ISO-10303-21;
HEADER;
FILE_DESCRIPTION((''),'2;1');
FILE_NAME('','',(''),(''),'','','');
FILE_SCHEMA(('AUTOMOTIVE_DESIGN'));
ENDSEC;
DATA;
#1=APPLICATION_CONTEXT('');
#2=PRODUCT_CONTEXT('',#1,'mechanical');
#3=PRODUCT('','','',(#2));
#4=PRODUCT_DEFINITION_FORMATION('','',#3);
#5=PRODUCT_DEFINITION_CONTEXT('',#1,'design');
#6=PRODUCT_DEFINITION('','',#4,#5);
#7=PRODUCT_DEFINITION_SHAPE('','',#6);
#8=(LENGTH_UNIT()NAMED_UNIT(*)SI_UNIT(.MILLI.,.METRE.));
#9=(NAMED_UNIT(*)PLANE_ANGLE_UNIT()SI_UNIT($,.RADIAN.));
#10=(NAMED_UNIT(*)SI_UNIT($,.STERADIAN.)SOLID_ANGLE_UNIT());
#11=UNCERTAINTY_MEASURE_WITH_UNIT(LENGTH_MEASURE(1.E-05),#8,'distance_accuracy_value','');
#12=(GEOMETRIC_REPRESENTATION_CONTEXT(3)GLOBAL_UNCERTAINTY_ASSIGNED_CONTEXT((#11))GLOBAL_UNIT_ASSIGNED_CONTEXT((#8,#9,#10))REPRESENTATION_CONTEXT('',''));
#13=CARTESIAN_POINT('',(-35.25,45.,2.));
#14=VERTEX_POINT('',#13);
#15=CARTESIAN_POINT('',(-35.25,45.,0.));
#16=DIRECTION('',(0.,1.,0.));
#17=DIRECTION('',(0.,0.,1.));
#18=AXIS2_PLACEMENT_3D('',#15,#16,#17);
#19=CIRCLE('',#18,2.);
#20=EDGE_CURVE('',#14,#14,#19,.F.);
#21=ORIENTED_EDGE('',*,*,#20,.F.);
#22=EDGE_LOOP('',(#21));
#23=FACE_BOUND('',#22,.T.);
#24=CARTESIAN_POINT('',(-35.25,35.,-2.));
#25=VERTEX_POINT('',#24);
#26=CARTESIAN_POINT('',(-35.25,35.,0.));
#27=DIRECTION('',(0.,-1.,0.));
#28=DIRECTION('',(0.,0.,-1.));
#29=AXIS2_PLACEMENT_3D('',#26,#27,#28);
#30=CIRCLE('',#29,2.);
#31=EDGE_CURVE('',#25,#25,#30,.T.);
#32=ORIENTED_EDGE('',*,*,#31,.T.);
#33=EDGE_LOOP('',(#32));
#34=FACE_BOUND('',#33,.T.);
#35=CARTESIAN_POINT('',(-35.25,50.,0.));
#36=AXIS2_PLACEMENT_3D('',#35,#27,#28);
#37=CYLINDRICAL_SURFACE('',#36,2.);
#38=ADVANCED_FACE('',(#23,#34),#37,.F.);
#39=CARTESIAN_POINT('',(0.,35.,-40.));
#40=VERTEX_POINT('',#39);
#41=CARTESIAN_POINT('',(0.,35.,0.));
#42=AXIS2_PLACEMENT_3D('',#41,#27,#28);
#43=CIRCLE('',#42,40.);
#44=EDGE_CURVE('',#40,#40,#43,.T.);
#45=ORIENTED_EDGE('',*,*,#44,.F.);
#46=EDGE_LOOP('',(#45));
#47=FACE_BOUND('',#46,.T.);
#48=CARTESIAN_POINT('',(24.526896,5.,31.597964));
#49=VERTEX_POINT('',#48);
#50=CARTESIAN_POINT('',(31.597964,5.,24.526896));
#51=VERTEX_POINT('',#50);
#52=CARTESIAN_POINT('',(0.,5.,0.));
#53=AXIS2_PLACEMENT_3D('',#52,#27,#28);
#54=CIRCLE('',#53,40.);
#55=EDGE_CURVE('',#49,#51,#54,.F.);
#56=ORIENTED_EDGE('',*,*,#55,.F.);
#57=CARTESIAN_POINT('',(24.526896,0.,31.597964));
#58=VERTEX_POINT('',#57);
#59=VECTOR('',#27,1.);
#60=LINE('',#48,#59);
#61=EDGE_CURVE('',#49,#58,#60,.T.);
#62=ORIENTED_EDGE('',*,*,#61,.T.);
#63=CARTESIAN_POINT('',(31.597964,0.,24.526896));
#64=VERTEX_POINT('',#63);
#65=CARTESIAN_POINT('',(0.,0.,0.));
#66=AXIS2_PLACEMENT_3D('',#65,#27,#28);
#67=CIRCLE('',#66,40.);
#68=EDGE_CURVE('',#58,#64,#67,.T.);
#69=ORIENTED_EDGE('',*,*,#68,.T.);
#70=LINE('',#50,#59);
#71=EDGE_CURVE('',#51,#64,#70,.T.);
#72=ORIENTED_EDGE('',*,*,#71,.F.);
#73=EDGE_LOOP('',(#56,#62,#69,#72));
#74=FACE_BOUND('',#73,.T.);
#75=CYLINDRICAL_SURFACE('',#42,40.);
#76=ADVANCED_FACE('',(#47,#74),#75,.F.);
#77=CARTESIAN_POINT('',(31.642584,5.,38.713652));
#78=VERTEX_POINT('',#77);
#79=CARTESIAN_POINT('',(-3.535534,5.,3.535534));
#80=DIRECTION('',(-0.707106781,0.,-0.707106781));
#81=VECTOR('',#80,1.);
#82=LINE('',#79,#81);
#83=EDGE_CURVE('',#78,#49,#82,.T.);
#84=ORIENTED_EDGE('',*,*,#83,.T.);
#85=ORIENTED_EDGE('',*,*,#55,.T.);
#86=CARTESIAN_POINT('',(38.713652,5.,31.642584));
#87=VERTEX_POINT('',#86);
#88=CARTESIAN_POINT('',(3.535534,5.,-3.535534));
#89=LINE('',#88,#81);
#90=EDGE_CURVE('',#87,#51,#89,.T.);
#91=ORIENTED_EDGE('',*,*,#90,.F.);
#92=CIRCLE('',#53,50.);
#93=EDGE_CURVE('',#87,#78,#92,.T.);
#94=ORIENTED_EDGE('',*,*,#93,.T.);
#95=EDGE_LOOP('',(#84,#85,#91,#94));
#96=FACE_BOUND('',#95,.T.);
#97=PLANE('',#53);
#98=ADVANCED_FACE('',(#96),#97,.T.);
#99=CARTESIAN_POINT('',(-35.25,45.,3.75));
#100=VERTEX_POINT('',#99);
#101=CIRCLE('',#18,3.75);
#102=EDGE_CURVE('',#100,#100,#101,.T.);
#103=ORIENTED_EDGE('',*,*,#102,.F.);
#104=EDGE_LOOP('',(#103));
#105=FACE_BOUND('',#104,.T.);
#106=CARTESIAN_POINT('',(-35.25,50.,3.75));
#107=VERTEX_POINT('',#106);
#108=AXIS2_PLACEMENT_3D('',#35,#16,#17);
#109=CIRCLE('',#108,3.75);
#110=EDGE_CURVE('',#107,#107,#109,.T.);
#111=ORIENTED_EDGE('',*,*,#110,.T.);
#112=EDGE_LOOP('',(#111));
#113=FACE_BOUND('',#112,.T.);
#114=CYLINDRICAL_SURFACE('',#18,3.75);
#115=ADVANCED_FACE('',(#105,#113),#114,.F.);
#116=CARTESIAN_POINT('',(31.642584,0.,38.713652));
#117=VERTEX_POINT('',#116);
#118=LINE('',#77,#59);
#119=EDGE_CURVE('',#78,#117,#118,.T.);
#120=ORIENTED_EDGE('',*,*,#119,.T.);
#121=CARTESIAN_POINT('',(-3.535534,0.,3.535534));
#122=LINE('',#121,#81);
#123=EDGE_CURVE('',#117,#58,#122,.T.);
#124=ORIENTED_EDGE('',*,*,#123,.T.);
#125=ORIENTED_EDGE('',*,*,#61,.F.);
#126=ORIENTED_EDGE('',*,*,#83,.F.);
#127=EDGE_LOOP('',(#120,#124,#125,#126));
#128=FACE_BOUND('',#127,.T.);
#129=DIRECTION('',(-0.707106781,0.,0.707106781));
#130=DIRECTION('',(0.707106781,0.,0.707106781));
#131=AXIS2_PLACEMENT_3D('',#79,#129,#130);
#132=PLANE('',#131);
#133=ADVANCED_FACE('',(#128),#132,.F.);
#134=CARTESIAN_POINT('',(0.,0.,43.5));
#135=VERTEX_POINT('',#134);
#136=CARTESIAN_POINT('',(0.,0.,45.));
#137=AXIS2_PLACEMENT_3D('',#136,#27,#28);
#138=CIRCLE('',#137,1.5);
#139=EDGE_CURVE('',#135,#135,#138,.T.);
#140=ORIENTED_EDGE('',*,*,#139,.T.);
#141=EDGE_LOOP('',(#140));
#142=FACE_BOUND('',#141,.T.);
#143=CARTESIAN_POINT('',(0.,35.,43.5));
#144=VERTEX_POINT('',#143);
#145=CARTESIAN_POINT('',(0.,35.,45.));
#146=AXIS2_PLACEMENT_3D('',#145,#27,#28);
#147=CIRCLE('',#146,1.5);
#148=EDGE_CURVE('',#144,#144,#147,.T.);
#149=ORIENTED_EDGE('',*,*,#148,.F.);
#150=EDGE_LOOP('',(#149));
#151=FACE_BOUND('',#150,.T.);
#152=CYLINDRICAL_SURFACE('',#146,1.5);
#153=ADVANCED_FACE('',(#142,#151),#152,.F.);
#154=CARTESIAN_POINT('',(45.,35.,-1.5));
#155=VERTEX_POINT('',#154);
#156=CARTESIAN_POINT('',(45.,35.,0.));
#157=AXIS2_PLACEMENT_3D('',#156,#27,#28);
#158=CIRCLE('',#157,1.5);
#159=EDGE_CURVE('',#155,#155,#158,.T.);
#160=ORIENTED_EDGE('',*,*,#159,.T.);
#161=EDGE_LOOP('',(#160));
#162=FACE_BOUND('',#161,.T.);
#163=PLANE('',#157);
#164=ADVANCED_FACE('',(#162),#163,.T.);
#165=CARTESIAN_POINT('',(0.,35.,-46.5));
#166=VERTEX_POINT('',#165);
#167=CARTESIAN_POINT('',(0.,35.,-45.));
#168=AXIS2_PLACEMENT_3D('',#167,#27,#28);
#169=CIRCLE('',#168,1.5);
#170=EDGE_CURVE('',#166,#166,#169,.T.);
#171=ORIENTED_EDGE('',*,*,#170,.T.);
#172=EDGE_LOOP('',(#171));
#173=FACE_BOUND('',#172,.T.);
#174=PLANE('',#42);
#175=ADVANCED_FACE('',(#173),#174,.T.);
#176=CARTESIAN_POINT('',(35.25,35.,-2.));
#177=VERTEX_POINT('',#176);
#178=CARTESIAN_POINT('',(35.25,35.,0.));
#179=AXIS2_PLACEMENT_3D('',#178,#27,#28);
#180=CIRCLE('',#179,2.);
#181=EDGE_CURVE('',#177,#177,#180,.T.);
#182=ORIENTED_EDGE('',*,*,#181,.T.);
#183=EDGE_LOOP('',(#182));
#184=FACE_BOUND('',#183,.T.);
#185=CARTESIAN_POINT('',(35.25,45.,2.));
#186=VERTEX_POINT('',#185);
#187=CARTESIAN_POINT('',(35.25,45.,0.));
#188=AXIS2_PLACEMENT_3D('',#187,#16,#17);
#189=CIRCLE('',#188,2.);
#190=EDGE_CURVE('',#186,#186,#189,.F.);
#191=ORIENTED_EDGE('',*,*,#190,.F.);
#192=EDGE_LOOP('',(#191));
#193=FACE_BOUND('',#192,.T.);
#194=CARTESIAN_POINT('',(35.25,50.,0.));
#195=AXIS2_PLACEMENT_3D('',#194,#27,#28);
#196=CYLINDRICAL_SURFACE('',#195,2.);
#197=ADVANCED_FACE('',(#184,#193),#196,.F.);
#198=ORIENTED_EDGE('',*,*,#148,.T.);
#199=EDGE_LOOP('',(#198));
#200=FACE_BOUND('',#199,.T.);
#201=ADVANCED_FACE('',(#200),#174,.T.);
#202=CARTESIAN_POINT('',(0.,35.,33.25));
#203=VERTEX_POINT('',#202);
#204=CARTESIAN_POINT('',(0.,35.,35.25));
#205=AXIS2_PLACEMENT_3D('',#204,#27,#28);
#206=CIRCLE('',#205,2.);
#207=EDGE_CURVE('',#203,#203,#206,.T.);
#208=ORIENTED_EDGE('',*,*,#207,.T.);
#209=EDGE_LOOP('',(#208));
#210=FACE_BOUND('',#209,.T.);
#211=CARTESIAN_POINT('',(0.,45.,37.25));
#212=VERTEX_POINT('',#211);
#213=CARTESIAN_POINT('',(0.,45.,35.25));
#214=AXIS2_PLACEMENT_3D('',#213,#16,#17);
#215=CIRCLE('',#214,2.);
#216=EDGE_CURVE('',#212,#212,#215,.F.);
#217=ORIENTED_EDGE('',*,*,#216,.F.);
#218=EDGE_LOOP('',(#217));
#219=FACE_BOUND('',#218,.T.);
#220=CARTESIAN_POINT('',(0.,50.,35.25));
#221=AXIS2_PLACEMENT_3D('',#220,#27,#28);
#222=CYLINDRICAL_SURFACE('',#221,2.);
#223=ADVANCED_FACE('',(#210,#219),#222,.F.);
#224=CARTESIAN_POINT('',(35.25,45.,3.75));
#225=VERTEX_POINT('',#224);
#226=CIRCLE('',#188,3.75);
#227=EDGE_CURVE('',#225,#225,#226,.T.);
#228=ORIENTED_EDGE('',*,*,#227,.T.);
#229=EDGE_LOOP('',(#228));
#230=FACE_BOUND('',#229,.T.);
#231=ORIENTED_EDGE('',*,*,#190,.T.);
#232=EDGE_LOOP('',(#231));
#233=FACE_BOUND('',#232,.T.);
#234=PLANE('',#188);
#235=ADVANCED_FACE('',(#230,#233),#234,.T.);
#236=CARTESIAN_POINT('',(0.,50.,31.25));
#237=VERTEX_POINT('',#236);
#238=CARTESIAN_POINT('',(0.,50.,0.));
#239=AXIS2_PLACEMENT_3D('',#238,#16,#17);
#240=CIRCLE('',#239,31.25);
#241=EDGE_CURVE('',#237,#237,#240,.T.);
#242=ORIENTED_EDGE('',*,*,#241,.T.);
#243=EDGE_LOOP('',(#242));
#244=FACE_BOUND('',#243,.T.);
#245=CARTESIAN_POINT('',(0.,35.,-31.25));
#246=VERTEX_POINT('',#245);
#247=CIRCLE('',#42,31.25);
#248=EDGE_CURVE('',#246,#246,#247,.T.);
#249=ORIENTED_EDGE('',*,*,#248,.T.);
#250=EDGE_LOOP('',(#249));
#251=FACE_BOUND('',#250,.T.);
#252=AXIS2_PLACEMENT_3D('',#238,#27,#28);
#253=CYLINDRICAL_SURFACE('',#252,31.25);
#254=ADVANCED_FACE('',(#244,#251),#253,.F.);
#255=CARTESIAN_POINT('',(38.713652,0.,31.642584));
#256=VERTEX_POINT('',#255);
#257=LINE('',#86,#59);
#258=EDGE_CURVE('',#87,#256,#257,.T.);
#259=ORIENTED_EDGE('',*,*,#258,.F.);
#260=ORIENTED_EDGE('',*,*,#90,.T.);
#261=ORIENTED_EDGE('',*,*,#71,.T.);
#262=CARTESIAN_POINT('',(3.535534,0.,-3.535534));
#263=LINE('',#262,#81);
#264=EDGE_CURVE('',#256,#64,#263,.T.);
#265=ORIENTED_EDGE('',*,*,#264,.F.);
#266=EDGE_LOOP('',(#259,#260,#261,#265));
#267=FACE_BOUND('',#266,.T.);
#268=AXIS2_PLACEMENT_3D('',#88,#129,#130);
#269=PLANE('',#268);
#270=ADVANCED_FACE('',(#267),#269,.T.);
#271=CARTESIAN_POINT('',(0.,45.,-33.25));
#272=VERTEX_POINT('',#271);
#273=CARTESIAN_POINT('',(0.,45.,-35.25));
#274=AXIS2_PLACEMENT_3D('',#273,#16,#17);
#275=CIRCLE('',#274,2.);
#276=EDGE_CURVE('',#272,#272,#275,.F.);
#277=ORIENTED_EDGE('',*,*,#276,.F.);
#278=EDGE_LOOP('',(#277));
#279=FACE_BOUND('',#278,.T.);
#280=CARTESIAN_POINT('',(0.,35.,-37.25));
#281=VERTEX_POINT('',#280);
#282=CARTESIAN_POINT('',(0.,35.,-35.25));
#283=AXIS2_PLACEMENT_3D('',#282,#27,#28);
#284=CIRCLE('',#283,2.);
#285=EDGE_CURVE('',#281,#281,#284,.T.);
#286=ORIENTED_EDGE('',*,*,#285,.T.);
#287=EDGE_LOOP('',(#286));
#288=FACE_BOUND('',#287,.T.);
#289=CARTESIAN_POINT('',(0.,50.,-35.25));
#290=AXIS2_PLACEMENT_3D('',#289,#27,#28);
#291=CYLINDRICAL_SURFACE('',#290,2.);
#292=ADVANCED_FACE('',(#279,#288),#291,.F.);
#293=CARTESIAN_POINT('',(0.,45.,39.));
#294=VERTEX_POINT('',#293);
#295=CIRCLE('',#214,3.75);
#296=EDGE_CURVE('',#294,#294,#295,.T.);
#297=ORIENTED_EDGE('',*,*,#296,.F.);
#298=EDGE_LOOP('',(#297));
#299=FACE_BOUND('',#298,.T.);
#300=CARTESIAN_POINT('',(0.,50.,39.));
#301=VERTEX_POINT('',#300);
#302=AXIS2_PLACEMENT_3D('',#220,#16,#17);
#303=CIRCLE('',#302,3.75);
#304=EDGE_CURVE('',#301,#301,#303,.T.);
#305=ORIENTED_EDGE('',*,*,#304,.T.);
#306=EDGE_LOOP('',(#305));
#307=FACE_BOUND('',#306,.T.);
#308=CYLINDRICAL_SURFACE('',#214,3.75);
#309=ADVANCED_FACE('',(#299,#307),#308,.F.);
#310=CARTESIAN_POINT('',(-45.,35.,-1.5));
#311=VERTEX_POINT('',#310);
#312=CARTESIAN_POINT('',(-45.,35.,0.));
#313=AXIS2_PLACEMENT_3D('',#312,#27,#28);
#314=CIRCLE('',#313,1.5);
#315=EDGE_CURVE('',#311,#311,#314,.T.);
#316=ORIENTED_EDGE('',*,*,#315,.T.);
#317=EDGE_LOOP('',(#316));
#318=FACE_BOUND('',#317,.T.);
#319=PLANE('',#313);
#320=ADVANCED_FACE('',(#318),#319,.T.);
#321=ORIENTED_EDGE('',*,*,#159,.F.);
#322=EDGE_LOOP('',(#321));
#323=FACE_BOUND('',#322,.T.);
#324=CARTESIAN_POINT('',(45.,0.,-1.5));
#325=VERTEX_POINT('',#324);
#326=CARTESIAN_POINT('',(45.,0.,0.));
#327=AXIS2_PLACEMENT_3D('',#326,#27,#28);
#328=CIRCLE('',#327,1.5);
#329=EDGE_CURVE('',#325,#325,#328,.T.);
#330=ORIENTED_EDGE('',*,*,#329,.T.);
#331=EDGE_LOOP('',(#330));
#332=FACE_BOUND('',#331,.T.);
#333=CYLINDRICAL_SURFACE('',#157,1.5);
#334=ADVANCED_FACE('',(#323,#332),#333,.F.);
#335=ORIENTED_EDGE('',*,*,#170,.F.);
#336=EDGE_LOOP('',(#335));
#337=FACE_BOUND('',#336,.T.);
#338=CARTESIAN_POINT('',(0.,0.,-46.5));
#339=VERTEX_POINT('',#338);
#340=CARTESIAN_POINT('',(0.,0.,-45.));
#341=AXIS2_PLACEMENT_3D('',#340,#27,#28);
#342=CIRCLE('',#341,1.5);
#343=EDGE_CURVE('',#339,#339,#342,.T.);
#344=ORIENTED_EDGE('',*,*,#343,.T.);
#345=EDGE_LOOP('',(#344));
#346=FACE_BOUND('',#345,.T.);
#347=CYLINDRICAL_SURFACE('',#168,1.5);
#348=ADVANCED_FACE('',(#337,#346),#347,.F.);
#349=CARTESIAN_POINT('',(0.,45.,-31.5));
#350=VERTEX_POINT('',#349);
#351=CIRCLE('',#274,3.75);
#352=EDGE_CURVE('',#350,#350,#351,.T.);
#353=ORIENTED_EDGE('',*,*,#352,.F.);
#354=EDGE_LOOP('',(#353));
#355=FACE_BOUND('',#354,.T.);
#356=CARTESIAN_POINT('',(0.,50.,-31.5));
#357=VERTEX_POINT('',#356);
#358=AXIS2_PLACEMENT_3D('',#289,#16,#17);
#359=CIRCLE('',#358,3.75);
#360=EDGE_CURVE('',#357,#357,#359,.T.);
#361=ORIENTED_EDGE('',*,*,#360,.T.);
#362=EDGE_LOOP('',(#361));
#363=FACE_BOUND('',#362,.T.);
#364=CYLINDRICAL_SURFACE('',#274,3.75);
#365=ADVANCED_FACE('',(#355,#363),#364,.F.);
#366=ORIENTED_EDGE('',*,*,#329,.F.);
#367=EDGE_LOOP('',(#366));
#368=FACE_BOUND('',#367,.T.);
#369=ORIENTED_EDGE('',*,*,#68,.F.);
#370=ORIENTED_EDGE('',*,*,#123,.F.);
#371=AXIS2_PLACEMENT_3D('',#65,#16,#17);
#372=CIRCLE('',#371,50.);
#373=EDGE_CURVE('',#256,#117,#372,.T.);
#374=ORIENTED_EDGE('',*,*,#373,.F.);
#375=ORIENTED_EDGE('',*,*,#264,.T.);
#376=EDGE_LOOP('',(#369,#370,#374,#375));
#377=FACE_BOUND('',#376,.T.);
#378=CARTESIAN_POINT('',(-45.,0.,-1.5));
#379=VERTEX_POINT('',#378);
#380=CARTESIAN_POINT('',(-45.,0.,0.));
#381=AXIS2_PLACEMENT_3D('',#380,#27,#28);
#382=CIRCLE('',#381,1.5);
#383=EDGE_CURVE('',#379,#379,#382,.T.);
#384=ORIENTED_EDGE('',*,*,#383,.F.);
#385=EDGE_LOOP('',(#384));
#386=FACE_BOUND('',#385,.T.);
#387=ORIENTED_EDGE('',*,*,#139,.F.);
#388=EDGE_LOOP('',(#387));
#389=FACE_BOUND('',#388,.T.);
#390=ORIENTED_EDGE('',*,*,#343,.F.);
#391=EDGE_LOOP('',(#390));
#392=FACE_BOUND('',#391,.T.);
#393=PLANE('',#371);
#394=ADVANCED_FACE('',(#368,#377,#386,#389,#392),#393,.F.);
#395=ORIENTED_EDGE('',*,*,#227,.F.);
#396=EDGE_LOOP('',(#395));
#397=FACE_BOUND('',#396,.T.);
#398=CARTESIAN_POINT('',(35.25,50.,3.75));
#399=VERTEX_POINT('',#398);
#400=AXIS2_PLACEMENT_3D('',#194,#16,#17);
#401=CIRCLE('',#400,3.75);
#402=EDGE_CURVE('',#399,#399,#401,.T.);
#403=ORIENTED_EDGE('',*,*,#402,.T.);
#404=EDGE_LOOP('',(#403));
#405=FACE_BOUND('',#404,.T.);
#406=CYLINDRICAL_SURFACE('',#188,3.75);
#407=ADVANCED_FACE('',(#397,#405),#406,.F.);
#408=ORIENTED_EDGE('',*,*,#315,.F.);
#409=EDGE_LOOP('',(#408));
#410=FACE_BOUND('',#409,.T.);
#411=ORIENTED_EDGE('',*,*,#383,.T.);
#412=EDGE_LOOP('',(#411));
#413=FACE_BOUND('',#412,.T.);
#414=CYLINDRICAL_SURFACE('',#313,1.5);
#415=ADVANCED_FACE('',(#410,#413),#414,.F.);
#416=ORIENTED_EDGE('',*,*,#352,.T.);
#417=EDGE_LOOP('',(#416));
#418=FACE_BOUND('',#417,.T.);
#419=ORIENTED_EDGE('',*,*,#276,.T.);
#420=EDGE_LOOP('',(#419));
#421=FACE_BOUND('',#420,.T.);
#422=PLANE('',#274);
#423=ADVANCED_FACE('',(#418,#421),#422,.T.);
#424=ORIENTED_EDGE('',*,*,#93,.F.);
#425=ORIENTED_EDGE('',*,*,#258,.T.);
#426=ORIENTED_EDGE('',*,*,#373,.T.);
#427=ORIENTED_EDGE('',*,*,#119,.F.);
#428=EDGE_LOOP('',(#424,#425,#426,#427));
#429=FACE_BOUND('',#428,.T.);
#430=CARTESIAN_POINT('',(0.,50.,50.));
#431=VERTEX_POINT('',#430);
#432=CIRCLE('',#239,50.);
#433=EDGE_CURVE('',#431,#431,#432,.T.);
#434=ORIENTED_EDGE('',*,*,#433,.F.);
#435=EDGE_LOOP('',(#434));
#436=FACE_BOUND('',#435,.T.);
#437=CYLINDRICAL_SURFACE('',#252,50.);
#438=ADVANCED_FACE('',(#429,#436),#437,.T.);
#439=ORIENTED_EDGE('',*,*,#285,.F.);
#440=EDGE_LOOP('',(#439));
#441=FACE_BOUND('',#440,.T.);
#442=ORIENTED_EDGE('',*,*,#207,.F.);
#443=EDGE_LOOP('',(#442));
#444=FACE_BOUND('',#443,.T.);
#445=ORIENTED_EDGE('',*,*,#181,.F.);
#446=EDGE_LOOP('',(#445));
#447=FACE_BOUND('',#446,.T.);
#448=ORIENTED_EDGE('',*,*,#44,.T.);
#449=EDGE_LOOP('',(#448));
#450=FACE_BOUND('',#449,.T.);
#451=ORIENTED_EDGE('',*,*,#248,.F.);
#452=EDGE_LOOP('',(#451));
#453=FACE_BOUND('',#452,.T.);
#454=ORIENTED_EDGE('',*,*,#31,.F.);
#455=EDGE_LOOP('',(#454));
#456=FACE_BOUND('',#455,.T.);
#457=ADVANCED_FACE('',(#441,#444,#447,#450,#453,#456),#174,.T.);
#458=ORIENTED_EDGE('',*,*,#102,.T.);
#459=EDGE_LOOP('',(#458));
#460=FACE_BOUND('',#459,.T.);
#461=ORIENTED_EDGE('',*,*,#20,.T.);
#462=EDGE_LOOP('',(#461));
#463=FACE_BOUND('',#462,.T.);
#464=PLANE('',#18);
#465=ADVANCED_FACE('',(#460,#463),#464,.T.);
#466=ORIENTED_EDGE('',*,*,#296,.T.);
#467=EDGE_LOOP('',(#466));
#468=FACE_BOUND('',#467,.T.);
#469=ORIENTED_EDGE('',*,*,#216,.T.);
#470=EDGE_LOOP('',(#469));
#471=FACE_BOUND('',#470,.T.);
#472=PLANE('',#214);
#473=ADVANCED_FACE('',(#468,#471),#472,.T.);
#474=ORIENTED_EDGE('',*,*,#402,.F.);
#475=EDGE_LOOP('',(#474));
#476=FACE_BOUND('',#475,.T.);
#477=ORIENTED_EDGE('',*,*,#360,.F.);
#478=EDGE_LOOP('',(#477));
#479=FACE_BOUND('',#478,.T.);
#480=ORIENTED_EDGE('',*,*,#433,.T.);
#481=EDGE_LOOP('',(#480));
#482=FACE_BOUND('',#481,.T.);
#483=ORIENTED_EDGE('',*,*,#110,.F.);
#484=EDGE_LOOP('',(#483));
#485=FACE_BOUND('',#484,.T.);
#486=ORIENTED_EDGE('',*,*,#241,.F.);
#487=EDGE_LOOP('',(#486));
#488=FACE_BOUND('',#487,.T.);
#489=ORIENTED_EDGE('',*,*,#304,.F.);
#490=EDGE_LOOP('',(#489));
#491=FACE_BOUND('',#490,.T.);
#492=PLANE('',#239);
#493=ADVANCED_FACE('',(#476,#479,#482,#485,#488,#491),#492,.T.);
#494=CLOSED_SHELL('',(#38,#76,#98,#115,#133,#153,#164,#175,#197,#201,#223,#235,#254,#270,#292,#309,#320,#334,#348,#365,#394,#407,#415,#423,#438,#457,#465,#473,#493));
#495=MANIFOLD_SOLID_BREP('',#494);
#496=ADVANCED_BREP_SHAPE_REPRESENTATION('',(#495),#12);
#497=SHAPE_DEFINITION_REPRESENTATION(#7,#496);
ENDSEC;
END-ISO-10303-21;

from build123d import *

# Parameters (mm, degrees)
CROQUIS1_R              = 50
CROQUIS1_R_2            = 31.25
SALIENTE_EXTRUIR1_DEPTH = 50
CROQUIS2_R              = 40
CORTAR_EXTRUIR1_DEPTH   = 35
CROQUIS3_R              = 1.5
CORTAR_EXTRUIR2_DEPTH   = 35
CROQUIS3_3_R            = 2
CORTAR_EXTRUIR3_DEPTH   = 87.602540378
CROQUIS4_R              = 3.75
CORTAR_EXTRUIR4_DEPTH   = 5
CORTAR_EXTRUIR5_DEPTH   = 5


with BuildPart() as part:
    # Croquis1 → Saliente-Extruir1 (new body)
    with BuildSketch(Plane(origin=(0, 0, 0), x_dir=(1, 0, 0), z_dir=(0, 1, 0))):
        Circle(CROQUIS1_R)
        Circle(CROQUIS1_R_2, mode=Mode.SUBTRACT)
    extrude(amount=SALIENTE_EXTRUIR1_DEPTH)

    # Croquis2 → Cortar-Extruir1 (cut)
    with BuildSketch(Plane.XZ):
        Circle(CROQUIS2_R)
    extrude(amount=-CORTAR_EXTRUIR1_DEPTH, mode=Mode.SUBTRACT)

    # Croquis3 → Cortar-Extruir2 (cut)
    with BuildSketch(Plane.XZ):
        with Locations((0, 45)):
            Circle(CROQUIS3_R)
        with Locations((45, 0)):
            Circle(CROQUIS3_R)
        with Locations((0, -45)):
            Circle(CROQUIS3_R)
        with Locations((-45, 0)):
            Circle(CROQUIS3_R)
    extrude(amount=-CORTAR_EXTRUIR2_DEPTH, mode=Mode.SUBTRACT)

    # Croquis3<3> → Cortar-Extruir3 (cut, through all)
    with BuildSketch(Plane.XZ):
        with Locations((0, 35.25)):
            Circle(CROQUIS3_3_R)
        with Locations((35.25, 0)):
            Circle(CROQUIS3_3_R)
        with Locations((0, -35.25)):
            Circle(CROQUIS3_3_R)
        with Locations((-35.25, 0)):
            Circle(CROQUIS3_3_R)
    extrude(amount=-CORTAR_EXTRUIR3_DEPTH, mode=Mode.SUBTRACT)

    # Croquis4 → Cortar-Extruir4 (cut)
    with BuildSketch(Plane(origin=(0, 50, 0), x_dir=(1, 0, 0), z_dir=(0, 1, 0))):
        with Locations((0, 35.25)):
            Circle(CROQUIS4_R)
        with Locations((35.25, 0)):
            Circle(CROQUIS4_R)
        with Locations((0, -35.25)):
            Circle(CROQUIS4_R)
        with Locations((-35.25, 0)):
            Circle(CROQUIS4_R)
    extrude(amount=-CORTAR_EXTRUIR4_DEPTH, mode=Mode.SUBTRACT)

    # Croquis8 → Cortar-Extruir5 (cut)
    with BuildSketch(Plane.XZ):
        with BuildLine():
            ThreePointArc((38.713652105, 31.642584293), (35.355339059, 35.355339059), (31.642584293, 38.713652105))
            Line((31.642584293, 38.713652105), (24.526896495, 31.597964307))
            ThreePointArc((24.526896495, 31.597964307), (28.284271247, 28.284271247), (31.597964307, 24.526896495))
            Line((31.597964307, 24.526896495), (38.713652105, 31.642584293))
        make_face()
    extrude(amount=-CORTAR_EXTRUIR5_DEPTH, mode=Mode.SUBTRACT)


solid = part.part
